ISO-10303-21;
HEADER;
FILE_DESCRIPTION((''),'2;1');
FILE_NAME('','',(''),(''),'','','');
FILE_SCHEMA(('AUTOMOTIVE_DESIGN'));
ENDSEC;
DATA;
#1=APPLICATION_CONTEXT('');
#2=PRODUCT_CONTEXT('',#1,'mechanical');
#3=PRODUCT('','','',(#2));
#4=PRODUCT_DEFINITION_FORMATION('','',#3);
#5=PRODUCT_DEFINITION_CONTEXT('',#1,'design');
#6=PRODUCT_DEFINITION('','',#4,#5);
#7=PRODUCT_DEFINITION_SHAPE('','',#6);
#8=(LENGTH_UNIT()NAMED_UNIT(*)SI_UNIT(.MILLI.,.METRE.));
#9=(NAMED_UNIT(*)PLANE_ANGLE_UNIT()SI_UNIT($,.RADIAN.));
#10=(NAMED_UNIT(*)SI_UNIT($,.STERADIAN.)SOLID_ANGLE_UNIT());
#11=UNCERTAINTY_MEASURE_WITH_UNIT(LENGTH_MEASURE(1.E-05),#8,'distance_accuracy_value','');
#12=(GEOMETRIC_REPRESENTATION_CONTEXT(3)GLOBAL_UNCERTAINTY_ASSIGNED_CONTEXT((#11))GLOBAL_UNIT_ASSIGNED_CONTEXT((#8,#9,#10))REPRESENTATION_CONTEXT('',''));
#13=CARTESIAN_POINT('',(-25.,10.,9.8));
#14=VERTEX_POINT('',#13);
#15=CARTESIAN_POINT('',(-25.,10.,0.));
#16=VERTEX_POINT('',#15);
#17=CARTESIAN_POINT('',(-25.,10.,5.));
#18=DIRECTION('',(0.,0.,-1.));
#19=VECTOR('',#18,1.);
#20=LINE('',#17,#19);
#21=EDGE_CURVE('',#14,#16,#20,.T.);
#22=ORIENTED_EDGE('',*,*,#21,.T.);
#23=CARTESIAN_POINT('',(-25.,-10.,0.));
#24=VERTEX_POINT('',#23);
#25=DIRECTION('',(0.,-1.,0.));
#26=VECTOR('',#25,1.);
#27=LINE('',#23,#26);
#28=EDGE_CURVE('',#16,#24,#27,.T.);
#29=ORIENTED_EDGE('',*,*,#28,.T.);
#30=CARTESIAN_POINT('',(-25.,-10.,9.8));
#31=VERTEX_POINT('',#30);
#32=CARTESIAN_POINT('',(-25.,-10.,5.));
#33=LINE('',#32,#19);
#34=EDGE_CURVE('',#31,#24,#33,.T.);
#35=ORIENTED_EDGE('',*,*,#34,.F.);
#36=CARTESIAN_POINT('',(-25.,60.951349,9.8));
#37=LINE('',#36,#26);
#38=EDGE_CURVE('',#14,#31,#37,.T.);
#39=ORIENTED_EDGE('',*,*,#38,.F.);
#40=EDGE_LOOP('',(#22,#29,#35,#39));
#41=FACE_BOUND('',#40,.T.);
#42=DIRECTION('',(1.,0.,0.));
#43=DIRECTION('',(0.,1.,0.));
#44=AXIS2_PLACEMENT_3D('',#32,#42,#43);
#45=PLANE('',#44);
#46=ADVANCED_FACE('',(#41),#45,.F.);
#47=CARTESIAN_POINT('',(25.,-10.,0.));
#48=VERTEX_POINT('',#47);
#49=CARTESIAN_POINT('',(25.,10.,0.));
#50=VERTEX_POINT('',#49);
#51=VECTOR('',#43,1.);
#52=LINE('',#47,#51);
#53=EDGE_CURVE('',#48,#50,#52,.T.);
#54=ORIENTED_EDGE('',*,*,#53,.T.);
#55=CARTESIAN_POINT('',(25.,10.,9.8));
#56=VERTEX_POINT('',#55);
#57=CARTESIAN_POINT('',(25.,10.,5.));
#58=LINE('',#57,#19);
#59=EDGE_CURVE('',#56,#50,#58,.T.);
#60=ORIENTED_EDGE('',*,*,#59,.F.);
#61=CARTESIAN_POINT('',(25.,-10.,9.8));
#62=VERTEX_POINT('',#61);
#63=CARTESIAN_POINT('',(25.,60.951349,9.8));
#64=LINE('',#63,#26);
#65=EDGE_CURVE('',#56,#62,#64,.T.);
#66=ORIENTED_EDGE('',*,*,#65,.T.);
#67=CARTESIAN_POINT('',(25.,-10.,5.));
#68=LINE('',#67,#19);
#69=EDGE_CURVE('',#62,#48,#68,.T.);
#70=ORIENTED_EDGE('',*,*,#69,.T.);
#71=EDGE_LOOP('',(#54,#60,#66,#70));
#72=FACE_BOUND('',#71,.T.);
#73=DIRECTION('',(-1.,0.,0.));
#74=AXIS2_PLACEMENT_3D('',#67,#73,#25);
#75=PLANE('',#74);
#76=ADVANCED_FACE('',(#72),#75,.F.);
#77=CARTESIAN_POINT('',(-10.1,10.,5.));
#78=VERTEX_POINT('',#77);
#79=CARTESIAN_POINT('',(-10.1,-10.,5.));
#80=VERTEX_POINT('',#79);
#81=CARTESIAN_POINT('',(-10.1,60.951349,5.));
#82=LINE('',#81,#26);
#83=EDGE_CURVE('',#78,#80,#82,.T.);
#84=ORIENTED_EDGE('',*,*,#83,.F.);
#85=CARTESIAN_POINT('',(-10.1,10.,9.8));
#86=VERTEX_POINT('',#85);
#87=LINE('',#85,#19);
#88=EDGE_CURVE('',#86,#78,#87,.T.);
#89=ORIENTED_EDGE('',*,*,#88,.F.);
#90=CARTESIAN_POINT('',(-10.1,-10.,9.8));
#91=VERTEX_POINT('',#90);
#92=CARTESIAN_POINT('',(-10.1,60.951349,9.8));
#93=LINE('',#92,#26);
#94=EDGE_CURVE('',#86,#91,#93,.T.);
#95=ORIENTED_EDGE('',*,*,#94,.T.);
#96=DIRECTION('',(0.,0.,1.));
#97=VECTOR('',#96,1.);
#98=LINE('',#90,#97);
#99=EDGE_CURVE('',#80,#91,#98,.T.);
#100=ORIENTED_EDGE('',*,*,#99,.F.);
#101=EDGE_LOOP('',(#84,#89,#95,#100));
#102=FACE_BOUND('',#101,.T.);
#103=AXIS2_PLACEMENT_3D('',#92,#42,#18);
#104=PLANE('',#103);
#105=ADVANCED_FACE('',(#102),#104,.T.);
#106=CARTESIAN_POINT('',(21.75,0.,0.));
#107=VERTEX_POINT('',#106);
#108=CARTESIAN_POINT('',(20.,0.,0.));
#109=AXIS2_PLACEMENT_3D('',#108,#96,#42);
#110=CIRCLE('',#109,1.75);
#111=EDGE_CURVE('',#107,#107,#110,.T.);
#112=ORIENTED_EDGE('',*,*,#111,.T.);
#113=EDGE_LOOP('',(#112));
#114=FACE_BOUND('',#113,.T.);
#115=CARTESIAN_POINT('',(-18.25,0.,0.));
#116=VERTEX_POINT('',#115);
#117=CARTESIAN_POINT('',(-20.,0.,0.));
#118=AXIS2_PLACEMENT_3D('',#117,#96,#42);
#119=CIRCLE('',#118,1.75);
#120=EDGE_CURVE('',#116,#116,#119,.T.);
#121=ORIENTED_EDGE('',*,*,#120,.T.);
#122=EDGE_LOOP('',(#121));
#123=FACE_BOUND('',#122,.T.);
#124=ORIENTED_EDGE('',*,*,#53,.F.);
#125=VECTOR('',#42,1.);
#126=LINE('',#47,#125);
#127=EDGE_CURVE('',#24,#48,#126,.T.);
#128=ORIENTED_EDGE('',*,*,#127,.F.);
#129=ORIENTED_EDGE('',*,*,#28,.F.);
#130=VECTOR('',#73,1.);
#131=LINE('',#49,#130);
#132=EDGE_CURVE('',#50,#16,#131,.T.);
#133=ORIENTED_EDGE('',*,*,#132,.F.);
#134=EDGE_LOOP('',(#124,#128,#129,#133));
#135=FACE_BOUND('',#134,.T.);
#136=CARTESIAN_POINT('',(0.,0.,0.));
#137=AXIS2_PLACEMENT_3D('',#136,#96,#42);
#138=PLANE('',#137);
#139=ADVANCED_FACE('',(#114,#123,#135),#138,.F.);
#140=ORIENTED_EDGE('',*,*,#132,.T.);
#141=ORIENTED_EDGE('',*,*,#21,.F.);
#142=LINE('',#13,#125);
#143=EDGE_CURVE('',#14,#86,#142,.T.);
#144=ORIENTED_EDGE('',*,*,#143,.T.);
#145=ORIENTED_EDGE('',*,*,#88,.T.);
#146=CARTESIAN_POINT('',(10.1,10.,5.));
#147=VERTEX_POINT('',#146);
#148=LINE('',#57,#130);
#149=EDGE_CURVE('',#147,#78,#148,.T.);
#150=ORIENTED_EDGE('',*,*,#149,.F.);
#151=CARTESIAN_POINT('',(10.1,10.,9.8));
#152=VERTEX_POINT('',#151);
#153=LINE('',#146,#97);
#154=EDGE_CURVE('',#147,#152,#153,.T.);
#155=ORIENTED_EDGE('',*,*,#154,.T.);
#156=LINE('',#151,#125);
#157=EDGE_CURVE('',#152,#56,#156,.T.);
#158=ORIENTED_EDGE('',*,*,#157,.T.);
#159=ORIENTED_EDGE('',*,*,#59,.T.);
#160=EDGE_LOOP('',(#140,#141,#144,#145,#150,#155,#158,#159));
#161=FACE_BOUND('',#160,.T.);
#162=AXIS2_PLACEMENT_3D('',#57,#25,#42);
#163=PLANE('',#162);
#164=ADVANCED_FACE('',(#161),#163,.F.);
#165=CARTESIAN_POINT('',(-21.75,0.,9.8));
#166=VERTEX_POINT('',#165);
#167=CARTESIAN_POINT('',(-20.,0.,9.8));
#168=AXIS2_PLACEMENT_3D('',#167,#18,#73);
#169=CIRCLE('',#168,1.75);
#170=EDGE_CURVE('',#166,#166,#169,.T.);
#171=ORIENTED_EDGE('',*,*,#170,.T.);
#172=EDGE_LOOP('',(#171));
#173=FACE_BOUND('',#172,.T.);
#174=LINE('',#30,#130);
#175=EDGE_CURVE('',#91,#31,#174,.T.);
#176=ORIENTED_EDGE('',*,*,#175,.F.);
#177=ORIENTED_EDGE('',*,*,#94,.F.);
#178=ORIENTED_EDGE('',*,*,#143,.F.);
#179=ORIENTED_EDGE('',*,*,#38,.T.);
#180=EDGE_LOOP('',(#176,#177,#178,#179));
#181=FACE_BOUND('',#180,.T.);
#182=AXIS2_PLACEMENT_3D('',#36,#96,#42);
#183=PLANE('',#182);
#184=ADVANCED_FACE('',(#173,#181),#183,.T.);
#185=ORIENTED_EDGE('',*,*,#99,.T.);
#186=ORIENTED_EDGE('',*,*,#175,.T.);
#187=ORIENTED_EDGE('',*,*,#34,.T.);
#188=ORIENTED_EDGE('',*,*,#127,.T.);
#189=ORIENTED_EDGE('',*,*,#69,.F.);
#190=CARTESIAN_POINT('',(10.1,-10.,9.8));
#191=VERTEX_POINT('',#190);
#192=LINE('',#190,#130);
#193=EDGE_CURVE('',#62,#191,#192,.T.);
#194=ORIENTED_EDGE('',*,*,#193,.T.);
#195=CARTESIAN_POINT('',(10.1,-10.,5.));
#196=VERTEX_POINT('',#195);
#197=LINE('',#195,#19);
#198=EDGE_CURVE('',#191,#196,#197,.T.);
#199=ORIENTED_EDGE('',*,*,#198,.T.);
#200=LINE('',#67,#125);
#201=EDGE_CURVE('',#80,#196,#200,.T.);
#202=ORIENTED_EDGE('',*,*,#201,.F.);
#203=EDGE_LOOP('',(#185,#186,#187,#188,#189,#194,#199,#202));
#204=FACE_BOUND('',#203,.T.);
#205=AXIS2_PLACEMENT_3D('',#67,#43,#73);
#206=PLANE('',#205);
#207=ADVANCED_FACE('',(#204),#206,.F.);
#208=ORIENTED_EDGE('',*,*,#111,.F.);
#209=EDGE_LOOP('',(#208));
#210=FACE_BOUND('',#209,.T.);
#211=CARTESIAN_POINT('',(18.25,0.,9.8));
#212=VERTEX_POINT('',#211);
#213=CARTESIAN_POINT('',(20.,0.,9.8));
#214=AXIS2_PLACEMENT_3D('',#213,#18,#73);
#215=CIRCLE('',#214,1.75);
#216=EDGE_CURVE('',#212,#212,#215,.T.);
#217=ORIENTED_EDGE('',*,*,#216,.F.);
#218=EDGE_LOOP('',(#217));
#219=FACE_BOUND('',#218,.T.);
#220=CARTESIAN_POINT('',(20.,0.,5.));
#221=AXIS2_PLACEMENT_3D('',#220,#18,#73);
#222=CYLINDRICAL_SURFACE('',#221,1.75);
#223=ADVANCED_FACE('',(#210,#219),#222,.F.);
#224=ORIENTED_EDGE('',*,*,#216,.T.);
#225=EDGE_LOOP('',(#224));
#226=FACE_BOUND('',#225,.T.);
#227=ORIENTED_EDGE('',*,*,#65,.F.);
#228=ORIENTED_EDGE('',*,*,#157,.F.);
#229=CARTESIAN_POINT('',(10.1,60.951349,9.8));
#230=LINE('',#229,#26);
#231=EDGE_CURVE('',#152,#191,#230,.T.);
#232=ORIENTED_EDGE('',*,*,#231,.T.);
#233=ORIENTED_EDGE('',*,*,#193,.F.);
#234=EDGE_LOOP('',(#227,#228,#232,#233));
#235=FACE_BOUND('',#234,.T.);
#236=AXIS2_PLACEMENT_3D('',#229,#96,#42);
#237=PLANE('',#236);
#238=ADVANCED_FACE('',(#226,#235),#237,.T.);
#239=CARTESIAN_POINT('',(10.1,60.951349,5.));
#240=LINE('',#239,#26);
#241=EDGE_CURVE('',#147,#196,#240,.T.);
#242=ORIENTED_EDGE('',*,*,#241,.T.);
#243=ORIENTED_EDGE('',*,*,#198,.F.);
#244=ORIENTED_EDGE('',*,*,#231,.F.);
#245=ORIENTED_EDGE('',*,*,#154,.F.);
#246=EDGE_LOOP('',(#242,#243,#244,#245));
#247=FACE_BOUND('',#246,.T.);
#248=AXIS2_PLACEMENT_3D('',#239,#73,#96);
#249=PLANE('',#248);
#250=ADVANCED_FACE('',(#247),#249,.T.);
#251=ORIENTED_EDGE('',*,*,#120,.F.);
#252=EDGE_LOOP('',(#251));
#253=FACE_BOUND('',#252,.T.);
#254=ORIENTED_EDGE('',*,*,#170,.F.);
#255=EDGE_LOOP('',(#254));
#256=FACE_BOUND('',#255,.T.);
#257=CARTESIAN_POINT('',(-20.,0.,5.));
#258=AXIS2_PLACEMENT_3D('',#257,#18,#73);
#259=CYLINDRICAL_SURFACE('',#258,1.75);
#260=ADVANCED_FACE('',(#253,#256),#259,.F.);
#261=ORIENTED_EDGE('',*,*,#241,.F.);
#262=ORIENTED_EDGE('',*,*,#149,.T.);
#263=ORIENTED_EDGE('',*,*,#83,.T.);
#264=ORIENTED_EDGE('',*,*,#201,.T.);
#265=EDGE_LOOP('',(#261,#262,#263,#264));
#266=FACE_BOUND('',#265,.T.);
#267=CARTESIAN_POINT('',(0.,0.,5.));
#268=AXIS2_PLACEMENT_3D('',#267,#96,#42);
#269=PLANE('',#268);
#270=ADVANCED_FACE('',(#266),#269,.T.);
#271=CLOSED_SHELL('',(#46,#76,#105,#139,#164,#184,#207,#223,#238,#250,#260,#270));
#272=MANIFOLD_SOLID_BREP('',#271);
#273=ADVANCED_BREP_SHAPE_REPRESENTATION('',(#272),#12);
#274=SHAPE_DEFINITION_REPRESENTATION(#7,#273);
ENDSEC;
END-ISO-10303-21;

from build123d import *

# Parameters (mm, degrees)
SKETCH2_W           = 50
SKETCH2_H           = 20
SKETCH2_R           = 1.75
BOSS_EXTRUDE1_DEPTH = 5
BOSS_EXTRUDE2_DEPTH = 20
SKETCH6_R           = 1.75
CUT_EXTRUDE1_DEPTH  = 10.8


with BuildPart() as part:
    # Sketch2 → Boss-Extrude1 (new body)
    with BuildSketch(Plane.XY):
        Rectangle(SKETCH2_W, SKETCH2_H)
        with Locations((-20, 0)):
            Circle(SKETCH2_R, mode=Mode.SUBTRACT)
        with Locations((20, 0)):
            Circle(SKETCH2_R, mode=Mode.SUBTRACT)
    extrude(amount=BOSS_EXTRUDE1_DEPTH)

    # Sketch5 → Boss-Extrude2 (add)
    with BuildSketch(Plane.XZ.offset(10)):
        with BuildLine():
            Line((-25, 5), (-25, 9.8))
            Line((-25, 9.8), (-10.1, 9.8))
            Line((-10.1, 9.8), (-10.1, 5))
            Line((-10.1, 5), (10.1, 5))
            Line((10.1, 5), (10.1, 9.8))
            Line((10.1, 9.8), (25, 9.8))
            Line((25, 9.8), (25, 5))
            ThreePointArc((25, 5), (0, 0), (-25, 5))
        make_face()
    extrude(amount=-BOSS_EXTRUDE2_DEPTH)

    # Sketch6 → Cut-Extrude1 (cut, through all)
    with BuildSketch(Plane(origin=(0, 0, 0), x_dir=(-1, 0, 0), z_dir=(0, 0, -1))):
        with Locations((20, 0)):
            Circle(SKETCH6_R)
        with Locations((-20, 0)):
            Circle(SKETCH6_R)
    extrude(amount=-CUT_EXTRUDE1_DEPTH, mode=Mode.SUBTRACT)


solid = part.part
